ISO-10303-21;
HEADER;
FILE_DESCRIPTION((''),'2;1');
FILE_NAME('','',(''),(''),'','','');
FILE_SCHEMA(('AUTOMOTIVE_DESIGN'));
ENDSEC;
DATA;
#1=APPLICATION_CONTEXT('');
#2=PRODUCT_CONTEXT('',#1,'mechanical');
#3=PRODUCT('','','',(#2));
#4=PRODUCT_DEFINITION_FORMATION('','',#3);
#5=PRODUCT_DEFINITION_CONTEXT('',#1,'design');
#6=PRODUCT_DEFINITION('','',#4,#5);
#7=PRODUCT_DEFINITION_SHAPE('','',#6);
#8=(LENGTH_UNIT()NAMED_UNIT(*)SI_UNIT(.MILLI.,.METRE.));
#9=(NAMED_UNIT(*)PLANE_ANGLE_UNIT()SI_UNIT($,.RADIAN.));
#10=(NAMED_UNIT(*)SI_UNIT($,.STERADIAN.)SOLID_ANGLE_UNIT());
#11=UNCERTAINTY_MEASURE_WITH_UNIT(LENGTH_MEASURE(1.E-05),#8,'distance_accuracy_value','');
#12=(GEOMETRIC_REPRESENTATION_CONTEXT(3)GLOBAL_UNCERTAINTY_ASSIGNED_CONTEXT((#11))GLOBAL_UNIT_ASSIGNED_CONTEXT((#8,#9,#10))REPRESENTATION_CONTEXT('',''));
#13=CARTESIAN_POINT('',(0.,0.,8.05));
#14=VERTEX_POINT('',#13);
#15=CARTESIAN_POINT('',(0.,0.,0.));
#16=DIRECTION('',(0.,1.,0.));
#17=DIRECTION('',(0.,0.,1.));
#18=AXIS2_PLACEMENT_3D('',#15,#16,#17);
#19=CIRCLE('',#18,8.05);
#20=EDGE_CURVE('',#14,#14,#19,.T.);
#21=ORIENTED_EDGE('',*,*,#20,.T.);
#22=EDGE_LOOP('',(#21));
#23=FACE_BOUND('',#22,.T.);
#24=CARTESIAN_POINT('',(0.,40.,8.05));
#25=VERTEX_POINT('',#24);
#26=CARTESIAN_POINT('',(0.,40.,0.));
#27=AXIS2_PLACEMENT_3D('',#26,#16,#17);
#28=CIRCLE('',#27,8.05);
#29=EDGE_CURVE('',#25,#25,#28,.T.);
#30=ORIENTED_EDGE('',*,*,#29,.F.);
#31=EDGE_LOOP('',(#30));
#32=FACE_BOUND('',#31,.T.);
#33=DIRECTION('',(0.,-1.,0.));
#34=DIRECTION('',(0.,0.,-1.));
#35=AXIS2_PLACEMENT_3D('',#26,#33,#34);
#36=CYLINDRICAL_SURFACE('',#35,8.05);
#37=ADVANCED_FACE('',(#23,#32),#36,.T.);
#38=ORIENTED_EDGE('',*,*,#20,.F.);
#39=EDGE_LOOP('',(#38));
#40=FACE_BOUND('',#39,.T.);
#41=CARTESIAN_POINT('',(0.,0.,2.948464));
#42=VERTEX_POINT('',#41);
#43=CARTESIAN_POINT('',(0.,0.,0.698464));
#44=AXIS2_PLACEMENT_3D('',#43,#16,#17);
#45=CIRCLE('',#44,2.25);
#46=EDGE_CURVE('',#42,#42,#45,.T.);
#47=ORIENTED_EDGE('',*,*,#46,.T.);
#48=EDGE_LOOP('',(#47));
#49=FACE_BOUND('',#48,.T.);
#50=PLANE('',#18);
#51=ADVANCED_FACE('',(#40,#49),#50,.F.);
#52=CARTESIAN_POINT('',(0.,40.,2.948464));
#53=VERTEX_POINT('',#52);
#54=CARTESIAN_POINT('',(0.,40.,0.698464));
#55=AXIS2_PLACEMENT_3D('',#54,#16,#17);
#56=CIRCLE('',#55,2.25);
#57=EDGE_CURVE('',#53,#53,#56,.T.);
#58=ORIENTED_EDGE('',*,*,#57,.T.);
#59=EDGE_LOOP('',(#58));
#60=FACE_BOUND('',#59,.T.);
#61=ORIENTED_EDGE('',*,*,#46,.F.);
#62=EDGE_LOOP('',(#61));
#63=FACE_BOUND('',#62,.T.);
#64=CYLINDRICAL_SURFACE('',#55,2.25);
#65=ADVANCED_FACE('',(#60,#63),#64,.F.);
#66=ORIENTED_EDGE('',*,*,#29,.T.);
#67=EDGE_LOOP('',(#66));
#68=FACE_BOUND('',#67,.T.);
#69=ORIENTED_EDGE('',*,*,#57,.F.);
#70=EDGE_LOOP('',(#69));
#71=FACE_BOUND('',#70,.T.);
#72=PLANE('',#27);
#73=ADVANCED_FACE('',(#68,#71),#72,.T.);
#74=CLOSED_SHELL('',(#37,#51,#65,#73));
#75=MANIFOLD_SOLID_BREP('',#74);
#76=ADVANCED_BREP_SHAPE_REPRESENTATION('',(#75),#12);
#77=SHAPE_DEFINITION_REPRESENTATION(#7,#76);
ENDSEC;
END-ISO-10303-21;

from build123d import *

# Parameters (mm, degrees)
SKIZZE1_R                       = 8.05
AUFSATZ_LINEAR_AUSTRAGEN1_DEPTH = 40
DURCHGANGSLOCH_F_R_M41_D        = 4.5


with BuildPart() as part:
    # Skizze1 → Aufsatz-Linear austragen1 (new body)
    with BuildSketch(Plane(origin=(0, 0, 0), x_dir=(1, 0, 0), z_dir=(0, 1, 0))):
        with Locations(Location((0, 0, 0), (0, 0, 270))):
            Circle(SKIZZE1_R)
    extrude(amount=AUFSATZ_LINEAR_AUSTRAGEN1_DEPTH)

    # Durchgangsloch für M41 (through all)
    with Locations(Plane(origin=(0, 40, 0), x_dir=(1, 0, 0), z_dir=(0, 1, 0))):
        with Locations((0, -0.698463559)):
            Hole(DURCHGANGSLOCH_F_R_M41_D / 2)


solid = part.part
